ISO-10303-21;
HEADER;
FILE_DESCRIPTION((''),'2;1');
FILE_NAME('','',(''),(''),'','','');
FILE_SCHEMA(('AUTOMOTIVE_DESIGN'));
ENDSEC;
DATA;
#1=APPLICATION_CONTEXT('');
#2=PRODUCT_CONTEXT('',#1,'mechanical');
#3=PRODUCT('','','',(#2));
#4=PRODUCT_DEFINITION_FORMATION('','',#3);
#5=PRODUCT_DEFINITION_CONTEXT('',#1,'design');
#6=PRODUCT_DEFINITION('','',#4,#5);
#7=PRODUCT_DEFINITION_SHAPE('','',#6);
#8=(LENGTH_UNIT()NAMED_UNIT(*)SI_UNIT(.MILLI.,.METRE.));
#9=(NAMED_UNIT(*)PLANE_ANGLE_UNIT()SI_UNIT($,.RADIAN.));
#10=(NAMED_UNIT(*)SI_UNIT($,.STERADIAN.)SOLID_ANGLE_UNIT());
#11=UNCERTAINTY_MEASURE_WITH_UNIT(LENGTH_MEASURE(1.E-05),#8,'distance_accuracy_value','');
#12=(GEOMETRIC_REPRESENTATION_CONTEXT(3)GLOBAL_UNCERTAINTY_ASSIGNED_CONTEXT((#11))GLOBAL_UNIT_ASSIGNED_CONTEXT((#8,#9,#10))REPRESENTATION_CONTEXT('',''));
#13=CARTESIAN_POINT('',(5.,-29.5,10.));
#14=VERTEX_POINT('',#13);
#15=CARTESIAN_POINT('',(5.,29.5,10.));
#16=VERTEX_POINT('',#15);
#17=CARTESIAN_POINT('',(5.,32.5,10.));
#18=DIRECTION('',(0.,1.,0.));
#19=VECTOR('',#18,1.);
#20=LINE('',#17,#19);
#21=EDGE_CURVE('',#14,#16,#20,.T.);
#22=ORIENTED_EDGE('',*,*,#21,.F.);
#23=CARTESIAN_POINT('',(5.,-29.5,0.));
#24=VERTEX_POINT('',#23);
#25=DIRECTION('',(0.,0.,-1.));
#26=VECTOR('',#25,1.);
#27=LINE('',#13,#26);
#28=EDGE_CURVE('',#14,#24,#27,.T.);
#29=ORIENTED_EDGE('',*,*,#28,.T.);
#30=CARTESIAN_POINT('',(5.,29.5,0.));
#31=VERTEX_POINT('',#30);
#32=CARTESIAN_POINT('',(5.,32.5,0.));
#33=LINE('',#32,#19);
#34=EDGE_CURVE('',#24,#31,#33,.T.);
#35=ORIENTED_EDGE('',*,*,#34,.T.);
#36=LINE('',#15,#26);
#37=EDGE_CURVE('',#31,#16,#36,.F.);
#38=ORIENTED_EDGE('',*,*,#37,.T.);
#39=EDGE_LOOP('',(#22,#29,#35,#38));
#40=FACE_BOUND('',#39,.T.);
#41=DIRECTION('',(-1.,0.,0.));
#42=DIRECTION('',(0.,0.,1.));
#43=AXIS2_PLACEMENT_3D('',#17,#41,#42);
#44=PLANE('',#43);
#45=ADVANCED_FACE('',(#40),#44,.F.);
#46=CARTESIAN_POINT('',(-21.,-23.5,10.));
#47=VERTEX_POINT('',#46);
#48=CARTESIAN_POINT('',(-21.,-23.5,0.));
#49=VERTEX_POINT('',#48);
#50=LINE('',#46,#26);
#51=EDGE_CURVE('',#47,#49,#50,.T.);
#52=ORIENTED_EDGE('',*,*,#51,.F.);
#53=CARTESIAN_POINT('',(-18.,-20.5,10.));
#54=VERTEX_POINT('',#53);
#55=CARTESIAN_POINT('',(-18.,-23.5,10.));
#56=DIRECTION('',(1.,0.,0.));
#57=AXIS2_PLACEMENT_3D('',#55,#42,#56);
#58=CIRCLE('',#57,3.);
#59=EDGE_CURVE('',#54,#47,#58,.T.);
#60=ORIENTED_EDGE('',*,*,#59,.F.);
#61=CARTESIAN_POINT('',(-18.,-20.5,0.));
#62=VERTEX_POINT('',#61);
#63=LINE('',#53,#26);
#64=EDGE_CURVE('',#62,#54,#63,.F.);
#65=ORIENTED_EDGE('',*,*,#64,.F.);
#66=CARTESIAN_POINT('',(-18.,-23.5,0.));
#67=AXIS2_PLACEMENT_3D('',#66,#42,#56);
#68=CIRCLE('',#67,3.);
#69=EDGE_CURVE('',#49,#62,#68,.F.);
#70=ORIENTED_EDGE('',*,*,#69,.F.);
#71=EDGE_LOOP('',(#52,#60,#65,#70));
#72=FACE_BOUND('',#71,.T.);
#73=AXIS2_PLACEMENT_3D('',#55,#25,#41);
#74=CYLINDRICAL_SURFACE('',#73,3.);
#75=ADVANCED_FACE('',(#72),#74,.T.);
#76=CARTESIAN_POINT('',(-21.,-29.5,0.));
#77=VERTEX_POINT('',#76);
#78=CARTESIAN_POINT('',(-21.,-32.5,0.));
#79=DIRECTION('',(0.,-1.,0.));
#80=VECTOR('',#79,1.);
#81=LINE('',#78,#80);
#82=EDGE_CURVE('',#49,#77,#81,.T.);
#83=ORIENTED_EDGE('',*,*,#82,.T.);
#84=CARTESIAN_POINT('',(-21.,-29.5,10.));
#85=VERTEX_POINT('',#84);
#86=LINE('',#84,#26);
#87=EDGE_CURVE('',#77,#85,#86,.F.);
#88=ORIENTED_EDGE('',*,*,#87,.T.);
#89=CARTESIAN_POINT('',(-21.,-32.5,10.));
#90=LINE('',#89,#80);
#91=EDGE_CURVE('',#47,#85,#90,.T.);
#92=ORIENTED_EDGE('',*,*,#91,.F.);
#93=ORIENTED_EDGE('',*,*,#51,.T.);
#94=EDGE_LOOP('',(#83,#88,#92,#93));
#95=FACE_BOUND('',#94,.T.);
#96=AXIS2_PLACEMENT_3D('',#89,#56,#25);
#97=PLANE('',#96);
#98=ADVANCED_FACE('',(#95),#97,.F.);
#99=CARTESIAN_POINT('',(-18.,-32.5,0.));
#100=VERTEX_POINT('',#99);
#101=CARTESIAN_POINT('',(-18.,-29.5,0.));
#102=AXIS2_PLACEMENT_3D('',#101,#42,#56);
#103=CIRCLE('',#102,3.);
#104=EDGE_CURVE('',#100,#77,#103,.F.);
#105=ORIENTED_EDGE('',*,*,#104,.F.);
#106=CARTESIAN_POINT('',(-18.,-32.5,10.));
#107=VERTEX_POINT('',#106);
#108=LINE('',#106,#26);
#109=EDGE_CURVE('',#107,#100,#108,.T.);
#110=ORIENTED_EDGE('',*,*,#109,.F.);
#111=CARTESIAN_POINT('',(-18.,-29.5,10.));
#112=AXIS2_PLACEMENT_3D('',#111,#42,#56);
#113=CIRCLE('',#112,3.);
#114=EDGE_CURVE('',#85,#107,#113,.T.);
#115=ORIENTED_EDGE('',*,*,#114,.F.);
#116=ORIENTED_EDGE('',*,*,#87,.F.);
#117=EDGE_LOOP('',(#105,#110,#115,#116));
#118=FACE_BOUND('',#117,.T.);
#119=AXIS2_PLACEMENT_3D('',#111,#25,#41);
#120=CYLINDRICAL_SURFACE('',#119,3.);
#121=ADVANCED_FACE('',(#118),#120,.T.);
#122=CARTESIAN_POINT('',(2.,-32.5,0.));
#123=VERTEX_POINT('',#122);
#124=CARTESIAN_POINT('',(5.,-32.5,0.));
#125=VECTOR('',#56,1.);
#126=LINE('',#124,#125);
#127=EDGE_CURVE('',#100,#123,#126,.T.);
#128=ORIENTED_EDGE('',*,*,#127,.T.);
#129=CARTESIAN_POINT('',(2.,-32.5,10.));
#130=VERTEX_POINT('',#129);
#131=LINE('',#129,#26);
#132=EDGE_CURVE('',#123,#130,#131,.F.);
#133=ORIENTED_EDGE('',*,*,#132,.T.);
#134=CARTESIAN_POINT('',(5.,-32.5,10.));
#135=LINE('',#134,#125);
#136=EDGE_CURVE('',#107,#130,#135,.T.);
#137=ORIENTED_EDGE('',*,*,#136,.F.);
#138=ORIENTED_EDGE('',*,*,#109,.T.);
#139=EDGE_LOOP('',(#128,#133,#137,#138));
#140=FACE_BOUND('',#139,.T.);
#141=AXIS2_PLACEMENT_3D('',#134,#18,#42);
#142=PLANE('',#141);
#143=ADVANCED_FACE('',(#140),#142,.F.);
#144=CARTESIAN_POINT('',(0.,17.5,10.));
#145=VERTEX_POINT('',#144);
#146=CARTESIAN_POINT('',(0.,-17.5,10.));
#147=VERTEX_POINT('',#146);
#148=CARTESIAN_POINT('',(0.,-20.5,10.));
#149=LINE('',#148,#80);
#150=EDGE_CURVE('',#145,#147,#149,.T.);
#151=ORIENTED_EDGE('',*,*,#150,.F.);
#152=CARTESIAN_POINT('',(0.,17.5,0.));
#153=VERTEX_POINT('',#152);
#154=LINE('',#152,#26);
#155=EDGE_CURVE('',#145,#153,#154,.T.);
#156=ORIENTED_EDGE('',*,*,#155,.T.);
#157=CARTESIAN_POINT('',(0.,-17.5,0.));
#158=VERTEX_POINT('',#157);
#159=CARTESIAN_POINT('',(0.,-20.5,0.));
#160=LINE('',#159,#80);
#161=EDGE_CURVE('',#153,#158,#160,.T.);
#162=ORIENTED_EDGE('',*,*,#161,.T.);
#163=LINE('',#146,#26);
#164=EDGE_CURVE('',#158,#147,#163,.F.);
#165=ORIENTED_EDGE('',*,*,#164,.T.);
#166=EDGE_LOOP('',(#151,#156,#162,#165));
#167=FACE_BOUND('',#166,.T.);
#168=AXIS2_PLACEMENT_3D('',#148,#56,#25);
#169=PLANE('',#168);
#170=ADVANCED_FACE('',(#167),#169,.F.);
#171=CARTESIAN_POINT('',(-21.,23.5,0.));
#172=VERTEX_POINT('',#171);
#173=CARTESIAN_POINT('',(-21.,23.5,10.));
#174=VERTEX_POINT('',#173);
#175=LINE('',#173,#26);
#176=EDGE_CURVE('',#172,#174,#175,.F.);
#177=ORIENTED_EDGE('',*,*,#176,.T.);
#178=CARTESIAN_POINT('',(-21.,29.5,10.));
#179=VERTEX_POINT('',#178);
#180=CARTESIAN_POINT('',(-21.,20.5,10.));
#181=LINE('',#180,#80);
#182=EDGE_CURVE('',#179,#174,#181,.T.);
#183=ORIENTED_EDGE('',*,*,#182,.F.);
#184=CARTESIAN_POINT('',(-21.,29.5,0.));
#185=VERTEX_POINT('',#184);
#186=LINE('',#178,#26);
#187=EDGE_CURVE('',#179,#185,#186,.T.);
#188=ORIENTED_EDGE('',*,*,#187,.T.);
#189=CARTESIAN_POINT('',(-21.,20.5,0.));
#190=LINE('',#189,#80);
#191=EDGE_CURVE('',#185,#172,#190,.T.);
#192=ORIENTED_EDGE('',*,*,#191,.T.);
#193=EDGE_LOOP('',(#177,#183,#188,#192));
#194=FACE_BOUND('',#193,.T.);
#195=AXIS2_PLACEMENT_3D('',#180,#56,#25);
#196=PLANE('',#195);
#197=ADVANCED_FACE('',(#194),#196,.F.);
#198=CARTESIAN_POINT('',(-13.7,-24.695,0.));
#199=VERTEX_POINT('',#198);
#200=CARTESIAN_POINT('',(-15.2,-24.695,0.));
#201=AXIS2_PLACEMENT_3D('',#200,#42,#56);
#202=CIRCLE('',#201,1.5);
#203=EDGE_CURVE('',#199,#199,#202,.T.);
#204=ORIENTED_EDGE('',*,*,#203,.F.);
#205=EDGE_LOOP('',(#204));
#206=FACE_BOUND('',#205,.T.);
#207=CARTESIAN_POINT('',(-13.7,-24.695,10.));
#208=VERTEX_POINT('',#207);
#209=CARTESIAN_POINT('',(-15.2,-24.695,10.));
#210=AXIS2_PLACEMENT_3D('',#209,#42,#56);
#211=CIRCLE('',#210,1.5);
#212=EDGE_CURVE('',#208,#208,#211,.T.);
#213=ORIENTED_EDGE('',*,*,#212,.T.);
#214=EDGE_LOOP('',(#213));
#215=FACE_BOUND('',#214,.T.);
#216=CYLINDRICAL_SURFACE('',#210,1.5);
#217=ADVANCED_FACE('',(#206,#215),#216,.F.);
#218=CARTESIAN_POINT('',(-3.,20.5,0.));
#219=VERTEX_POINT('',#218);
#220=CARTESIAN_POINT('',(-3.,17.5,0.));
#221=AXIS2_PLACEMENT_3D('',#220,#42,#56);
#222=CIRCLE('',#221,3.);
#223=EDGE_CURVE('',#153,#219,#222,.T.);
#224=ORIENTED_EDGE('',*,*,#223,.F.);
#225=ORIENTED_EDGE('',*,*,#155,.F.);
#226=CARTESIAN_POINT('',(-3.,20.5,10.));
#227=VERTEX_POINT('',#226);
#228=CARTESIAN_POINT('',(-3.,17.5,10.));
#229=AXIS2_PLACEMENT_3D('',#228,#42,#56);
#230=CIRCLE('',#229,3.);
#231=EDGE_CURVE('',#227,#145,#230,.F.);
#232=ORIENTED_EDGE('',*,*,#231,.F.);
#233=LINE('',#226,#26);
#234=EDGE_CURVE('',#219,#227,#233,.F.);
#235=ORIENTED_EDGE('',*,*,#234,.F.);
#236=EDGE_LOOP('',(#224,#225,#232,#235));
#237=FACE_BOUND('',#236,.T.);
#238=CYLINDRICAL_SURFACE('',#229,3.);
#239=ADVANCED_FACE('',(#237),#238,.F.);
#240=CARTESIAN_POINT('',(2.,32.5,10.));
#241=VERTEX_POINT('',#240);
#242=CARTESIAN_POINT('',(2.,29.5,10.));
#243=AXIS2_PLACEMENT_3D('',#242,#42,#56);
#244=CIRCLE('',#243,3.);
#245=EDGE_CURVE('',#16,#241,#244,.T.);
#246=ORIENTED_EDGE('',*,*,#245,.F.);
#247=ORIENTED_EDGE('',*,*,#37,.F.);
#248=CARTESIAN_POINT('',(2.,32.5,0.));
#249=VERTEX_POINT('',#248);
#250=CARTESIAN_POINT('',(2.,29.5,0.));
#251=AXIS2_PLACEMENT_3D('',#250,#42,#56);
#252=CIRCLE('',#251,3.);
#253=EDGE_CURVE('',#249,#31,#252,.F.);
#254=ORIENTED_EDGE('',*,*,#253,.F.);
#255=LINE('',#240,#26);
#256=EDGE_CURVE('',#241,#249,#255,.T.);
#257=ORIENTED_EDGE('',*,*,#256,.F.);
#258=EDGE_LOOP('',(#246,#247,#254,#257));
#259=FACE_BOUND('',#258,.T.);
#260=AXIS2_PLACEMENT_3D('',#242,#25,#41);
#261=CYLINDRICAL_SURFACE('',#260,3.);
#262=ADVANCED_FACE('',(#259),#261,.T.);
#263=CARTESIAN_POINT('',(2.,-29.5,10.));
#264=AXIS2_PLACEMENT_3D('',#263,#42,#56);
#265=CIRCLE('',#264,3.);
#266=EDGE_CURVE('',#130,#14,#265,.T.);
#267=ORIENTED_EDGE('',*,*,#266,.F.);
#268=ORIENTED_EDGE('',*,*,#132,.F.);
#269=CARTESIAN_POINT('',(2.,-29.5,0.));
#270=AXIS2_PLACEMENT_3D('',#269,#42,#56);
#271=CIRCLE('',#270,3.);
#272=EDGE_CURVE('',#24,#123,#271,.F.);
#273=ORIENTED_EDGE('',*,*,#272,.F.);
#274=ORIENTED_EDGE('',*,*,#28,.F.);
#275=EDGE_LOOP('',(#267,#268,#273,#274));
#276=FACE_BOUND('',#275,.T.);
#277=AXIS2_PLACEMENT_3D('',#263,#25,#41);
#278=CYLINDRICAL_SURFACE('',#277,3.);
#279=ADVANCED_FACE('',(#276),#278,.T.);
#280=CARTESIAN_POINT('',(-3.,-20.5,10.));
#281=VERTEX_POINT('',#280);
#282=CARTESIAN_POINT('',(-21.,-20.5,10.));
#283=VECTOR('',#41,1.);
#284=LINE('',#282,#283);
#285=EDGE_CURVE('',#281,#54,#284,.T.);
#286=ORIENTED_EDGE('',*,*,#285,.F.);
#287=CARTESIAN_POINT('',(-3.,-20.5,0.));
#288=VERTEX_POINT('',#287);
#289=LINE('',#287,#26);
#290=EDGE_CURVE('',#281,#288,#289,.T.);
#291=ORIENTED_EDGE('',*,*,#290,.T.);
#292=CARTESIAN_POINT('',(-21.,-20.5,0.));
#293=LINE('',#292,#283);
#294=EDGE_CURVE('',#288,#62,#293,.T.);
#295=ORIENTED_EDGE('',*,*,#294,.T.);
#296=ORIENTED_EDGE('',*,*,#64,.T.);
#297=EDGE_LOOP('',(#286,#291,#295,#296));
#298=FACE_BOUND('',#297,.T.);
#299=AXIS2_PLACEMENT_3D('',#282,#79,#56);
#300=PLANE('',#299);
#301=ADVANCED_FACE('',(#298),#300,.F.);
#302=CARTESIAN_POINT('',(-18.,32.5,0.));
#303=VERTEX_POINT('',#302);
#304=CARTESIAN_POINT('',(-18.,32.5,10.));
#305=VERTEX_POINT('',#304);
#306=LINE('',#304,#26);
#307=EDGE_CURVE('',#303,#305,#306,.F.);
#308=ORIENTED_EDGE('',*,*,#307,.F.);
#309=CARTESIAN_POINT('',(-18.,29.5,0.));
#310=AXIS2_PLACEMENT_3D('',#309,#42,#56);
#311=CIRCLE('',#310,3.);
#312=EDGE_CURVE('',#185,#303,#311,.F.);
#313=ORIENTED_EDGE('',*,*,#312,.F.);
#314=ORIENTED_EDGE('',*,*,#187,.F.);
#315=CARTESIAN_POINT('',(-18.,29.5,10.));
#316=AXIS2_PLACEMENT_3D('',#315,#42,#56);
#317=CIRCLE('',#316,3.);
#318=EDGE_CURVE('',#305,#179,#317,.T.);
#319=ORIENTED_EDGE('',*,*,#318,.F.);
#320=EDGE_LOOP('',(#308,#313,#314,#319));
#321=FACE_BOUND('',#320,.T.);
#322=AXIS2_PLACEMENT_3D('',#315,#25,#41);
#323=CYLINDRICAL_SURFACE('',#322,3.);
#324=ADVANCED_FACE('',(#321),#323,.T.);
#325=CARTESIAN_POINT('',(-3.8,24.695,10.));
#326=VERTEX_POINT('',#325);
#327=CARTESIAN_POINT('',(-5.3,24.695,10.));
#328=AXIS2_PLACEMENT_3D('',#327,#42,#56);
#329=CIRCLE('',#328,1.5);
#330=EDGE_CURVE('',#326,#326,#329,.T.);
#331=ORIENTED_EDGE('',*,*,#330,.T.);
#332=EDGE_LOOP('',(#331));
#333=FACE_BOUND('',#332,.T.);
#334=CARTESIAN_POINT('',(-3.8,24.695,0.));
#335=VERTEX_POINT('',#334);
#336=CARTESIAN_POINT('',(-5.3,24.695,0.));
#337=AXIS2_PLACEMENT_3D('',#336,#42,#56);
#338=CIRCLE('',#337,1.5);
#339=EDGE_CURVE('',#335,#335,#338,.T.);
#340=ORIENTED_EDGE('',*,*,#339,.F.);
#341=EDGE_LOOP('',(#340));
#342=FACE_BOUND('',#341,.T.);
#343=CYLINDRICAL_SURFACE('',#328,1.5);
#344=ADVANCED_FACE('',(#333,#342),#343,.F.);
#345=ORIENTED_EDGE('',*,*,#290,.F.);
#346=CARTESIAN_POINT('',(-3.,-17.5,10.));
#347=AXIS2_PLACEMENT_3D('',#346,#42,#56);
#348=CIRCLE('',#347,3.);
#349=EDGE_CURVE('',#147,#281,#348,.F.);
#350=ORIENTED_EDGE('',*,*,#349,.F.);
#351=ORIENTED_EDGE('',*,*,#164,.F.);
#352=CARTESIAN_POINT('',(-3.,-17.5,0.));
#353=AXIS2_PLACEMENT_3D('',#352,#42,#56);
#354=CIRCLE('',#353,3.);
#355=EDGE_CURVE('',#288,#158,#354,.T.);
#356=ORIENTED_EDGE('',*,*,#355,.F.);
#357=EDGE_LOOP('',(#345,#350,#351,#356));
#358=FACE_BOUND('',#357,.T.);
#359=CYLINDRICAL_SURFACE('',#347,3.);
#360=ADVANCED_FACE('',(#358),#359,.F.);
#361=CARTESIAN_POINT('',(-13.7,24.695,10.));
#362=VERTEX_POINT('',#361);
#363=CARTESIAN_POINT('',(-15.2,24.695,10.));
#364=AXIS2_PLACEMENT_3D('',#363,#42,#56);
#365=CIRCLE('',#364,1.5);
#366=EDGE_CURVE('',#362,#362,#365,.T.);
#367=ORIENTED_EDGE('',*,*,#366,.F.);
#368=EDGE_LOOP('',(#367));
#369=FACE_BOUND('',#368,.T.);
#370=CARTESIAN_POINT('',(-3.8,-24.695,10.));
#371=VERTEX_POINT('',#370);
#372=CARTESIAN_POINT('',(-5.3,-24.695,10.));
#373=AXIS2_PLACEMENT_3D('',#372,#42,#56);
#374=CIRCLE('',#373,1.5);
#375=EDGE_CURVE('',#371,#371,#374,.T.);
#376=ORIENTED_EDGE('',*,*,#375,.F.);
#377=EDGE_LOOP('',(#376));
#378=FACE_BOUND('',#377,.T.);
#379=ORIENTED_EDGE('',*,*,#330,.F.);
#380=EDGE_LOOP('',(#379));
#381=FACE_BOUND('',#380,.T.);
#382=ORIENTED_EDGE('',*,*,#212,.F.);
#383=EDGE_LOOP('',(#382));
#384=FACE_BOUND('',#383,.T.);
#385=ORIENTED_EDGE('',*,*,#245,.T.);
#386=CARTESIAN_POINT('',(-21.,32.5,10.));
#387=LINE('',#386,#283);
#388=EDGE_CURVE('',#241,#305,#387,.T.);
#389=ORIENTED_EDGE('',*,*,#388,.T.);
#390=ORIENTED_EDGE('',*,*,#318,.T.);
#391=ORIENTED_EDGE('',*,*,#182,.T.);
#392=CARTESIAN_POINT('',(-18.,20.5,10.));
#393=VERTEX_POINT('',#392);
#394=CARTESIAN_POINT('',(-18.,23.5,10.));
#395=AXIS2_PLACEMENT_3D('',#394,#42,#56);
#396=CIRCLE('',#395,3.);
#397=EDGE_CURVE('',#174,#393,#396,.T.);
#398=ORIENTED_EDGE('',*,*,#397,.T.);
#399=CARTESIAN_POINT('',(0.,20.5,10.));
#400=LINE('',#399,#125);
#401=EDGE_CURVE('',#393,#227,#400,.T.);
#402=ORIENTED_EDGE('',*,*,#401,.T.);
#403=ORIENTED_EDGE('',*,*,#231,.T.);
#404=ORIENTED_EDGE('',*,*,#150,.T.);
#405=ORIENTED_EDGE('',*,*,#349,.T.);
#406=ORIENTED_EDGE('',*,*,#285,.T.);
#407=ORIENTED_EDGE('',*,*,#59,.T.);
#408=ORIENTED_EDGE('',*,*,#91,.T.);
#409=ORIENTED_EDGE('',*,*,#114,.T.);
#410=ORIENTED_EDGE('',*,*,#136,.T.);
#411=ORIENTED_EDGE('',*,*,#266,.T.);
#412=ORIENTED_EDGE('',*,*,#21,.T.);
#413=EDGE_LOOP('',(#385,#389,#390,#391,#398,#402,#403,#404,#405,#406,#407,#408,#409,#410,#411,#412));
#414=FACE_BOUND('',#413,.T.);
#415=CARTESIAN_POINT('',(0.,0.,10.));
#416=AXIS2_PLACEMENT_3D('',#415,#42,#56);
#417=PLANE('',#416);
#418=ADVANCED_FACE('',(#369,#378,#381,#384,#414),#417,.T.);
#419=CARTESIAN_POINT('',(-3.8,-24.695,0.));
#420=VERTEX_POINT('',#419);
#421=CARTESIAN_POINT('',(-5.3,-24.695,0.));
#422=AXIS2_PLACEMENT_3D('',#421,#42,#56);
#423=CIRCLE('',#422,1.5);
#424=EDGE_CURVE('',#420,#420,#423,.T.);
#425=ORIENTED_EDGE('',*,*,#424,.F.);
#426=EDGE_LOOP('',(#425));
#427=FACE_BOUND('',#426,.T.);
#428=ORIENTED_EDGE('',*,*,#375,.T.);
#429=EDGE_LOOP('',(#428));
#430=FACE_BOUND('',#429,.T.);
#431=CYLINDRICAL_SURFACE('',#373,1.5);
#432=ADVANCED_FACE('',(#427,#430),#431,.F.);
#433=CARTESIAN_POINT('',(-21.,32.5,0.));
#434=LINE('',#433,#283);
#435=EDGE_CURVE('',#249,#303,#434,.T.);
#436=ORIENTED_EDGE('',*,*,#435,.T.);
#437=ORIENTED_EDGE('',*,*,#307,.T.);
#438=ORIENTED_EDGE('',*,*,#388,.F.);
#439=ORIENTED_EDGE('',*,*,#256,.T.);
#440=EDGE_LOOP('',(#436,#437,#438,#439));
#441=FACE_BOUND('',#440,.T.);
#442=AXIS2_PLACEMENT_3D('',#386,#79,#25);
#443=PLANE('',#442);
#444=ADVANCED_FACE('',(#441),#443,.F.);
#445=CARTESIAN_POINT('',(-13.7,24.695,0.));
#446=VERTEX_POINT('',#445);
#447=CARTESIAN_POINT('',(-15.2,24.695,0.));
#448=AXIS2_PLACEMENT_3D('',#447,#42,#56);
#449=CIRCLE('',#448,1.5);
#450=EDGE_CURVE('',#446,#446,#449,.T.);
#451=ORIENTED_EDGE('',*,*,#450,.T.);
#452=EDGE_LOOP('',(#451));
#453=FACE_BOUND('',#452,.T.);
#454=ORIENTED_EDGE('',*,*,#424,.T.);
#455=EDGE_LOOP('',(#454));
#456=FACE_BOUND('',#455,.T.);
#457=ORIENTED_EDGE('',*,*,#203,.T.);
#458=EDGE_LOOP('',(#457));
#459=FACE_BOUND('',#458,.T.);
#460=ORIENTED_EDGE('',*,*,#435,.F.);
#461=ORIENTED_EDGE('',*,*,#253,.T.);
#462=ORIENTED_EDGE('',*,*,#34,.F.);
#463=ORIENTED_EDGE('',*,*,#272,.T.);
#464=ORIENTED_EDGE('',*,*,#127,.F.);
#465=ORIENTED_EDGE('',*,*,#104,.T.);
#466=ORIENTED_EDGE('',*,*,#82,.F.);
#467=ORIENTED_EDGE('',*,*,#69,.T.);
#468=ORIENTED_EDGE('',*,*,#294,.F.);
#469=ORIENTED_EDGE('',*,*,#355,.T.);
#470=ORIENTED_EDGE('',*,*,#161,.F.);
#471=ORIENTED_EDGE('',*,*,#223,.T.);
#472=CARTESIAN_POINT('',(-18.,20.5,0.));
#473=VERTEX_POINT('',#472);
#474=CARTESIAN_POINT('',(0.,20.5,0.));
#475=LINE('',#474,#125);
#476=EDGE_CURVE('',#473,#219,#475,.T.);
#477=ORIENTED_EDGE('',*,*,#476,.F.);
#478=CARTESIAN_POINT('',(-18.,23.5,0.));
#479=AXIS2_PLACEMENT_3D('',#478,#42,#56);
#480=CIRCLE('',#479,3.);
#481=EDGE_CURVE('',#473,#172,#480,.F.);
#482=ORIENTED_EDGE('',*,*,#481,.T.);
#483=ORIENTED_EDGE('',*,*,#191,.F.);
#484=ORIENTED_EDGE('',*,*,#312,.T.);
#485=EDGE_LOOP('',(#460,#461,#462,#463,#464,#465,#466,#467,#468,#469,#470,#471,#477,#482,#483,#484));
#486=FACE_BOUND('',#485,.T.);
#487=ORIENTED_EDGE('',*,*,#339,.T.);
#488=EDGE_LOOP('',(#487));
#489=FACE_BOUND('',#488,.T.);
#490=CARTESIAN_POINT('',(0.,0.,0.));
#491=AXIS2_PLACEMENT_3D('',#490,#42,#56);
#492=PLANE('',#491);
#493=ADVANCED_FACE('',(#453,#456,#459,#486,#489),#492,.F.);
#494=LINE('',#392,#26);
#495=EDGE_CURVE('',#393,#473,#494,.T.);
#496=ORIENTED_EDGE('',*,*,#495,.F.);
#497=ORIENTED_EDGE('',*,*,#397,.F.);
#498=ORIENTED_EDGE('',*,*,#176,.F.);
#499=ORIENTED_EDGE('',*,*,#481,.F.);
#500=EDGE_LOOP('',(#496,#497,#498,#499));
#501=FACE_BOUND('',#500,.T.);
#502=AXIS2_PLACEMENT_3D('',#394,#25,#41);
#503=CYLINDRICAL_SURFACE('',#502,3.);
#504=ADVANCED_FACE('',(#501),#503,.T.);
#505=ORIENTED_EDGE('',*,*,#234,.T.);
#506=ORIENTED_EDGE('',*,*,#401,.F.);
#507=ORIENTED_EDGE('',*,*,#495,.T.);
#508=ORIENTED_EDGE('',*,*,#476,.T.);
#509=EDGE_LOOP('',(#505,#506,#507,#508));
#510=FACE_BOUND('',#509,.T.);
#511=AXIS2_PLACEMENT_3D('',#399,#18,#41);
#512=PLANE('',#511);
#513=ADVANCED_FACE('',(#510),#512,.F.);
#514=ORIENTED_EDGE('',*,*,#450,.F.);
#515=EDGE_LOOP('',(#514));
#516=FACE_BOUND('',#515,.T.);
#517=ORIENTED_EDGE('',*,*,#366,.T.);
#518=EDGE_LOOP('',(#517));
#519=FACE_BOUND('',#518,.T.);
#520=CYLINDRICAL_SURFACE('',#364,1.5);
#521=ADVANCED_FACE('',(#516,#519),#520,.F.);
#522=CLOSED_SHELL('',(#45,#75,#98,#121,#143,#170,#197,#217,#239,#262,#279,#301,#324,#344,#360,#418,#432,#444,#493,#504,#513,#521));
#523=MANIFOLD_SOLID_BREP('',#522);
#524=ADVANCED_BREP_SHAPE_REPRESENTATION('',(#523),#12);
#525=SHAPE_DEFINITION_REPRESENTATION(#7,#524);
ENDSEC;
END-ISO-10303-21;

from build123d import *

# Parameters (mm, degrees)
BOSS_EXTRUDE1_DEPTH   = 10
FILLET1_R             = 3
F_3_0MM_DOWEL_HOLE1_D = 3


with BuildPart() as part:
    # Sketch1 → Boss-Extrude1 (new body)
    with BuildSketch(Plane.XY):
        Polygon((0, -20.5), (0, 20.5), (-21, 20.5), (-21, 32.5), (5, 32.5), (5, -32.5), (-21, -32.5), (-21, -20.5), align=None)
    extrude(amount=BOSS_EXTRUDE1_DEPTH)

    # Fillet1
    fillet1_edges = [part.edges().sort_by_distance(p)[0] for p in [
        (0, -20.5, 5),
        (0, 20.5, 5),
        (-21, 20.5, 5),
        (-21, 32.5, 5),
        (5, 32.5, 5),
        (5, -32.5, 5),
        (-21, -32.5, 5),
        (-21, -20.5, 5),
    ]]
    fillet(fillet1_edges, radius=FILLET1_R)

    # Ø3.0mm Dowel Hole1 (through all)
    with Locations(Plane.XY.offset(10)):
        with Locations((-5.3, 24.695), (-15.2, 24.695)):
            f_3_0mm_dowel_hole1 = Hole(F_3_0MM_DOWEL_HOLE1_D / 2)

    # Mirror1: Ø3.0mm Dowel Hole1 across plane
    add(f_3_0mm_dowel_hole1.mirror(Plane.ZX), mode=Mode.SUBTRACT)


solid = part.part
